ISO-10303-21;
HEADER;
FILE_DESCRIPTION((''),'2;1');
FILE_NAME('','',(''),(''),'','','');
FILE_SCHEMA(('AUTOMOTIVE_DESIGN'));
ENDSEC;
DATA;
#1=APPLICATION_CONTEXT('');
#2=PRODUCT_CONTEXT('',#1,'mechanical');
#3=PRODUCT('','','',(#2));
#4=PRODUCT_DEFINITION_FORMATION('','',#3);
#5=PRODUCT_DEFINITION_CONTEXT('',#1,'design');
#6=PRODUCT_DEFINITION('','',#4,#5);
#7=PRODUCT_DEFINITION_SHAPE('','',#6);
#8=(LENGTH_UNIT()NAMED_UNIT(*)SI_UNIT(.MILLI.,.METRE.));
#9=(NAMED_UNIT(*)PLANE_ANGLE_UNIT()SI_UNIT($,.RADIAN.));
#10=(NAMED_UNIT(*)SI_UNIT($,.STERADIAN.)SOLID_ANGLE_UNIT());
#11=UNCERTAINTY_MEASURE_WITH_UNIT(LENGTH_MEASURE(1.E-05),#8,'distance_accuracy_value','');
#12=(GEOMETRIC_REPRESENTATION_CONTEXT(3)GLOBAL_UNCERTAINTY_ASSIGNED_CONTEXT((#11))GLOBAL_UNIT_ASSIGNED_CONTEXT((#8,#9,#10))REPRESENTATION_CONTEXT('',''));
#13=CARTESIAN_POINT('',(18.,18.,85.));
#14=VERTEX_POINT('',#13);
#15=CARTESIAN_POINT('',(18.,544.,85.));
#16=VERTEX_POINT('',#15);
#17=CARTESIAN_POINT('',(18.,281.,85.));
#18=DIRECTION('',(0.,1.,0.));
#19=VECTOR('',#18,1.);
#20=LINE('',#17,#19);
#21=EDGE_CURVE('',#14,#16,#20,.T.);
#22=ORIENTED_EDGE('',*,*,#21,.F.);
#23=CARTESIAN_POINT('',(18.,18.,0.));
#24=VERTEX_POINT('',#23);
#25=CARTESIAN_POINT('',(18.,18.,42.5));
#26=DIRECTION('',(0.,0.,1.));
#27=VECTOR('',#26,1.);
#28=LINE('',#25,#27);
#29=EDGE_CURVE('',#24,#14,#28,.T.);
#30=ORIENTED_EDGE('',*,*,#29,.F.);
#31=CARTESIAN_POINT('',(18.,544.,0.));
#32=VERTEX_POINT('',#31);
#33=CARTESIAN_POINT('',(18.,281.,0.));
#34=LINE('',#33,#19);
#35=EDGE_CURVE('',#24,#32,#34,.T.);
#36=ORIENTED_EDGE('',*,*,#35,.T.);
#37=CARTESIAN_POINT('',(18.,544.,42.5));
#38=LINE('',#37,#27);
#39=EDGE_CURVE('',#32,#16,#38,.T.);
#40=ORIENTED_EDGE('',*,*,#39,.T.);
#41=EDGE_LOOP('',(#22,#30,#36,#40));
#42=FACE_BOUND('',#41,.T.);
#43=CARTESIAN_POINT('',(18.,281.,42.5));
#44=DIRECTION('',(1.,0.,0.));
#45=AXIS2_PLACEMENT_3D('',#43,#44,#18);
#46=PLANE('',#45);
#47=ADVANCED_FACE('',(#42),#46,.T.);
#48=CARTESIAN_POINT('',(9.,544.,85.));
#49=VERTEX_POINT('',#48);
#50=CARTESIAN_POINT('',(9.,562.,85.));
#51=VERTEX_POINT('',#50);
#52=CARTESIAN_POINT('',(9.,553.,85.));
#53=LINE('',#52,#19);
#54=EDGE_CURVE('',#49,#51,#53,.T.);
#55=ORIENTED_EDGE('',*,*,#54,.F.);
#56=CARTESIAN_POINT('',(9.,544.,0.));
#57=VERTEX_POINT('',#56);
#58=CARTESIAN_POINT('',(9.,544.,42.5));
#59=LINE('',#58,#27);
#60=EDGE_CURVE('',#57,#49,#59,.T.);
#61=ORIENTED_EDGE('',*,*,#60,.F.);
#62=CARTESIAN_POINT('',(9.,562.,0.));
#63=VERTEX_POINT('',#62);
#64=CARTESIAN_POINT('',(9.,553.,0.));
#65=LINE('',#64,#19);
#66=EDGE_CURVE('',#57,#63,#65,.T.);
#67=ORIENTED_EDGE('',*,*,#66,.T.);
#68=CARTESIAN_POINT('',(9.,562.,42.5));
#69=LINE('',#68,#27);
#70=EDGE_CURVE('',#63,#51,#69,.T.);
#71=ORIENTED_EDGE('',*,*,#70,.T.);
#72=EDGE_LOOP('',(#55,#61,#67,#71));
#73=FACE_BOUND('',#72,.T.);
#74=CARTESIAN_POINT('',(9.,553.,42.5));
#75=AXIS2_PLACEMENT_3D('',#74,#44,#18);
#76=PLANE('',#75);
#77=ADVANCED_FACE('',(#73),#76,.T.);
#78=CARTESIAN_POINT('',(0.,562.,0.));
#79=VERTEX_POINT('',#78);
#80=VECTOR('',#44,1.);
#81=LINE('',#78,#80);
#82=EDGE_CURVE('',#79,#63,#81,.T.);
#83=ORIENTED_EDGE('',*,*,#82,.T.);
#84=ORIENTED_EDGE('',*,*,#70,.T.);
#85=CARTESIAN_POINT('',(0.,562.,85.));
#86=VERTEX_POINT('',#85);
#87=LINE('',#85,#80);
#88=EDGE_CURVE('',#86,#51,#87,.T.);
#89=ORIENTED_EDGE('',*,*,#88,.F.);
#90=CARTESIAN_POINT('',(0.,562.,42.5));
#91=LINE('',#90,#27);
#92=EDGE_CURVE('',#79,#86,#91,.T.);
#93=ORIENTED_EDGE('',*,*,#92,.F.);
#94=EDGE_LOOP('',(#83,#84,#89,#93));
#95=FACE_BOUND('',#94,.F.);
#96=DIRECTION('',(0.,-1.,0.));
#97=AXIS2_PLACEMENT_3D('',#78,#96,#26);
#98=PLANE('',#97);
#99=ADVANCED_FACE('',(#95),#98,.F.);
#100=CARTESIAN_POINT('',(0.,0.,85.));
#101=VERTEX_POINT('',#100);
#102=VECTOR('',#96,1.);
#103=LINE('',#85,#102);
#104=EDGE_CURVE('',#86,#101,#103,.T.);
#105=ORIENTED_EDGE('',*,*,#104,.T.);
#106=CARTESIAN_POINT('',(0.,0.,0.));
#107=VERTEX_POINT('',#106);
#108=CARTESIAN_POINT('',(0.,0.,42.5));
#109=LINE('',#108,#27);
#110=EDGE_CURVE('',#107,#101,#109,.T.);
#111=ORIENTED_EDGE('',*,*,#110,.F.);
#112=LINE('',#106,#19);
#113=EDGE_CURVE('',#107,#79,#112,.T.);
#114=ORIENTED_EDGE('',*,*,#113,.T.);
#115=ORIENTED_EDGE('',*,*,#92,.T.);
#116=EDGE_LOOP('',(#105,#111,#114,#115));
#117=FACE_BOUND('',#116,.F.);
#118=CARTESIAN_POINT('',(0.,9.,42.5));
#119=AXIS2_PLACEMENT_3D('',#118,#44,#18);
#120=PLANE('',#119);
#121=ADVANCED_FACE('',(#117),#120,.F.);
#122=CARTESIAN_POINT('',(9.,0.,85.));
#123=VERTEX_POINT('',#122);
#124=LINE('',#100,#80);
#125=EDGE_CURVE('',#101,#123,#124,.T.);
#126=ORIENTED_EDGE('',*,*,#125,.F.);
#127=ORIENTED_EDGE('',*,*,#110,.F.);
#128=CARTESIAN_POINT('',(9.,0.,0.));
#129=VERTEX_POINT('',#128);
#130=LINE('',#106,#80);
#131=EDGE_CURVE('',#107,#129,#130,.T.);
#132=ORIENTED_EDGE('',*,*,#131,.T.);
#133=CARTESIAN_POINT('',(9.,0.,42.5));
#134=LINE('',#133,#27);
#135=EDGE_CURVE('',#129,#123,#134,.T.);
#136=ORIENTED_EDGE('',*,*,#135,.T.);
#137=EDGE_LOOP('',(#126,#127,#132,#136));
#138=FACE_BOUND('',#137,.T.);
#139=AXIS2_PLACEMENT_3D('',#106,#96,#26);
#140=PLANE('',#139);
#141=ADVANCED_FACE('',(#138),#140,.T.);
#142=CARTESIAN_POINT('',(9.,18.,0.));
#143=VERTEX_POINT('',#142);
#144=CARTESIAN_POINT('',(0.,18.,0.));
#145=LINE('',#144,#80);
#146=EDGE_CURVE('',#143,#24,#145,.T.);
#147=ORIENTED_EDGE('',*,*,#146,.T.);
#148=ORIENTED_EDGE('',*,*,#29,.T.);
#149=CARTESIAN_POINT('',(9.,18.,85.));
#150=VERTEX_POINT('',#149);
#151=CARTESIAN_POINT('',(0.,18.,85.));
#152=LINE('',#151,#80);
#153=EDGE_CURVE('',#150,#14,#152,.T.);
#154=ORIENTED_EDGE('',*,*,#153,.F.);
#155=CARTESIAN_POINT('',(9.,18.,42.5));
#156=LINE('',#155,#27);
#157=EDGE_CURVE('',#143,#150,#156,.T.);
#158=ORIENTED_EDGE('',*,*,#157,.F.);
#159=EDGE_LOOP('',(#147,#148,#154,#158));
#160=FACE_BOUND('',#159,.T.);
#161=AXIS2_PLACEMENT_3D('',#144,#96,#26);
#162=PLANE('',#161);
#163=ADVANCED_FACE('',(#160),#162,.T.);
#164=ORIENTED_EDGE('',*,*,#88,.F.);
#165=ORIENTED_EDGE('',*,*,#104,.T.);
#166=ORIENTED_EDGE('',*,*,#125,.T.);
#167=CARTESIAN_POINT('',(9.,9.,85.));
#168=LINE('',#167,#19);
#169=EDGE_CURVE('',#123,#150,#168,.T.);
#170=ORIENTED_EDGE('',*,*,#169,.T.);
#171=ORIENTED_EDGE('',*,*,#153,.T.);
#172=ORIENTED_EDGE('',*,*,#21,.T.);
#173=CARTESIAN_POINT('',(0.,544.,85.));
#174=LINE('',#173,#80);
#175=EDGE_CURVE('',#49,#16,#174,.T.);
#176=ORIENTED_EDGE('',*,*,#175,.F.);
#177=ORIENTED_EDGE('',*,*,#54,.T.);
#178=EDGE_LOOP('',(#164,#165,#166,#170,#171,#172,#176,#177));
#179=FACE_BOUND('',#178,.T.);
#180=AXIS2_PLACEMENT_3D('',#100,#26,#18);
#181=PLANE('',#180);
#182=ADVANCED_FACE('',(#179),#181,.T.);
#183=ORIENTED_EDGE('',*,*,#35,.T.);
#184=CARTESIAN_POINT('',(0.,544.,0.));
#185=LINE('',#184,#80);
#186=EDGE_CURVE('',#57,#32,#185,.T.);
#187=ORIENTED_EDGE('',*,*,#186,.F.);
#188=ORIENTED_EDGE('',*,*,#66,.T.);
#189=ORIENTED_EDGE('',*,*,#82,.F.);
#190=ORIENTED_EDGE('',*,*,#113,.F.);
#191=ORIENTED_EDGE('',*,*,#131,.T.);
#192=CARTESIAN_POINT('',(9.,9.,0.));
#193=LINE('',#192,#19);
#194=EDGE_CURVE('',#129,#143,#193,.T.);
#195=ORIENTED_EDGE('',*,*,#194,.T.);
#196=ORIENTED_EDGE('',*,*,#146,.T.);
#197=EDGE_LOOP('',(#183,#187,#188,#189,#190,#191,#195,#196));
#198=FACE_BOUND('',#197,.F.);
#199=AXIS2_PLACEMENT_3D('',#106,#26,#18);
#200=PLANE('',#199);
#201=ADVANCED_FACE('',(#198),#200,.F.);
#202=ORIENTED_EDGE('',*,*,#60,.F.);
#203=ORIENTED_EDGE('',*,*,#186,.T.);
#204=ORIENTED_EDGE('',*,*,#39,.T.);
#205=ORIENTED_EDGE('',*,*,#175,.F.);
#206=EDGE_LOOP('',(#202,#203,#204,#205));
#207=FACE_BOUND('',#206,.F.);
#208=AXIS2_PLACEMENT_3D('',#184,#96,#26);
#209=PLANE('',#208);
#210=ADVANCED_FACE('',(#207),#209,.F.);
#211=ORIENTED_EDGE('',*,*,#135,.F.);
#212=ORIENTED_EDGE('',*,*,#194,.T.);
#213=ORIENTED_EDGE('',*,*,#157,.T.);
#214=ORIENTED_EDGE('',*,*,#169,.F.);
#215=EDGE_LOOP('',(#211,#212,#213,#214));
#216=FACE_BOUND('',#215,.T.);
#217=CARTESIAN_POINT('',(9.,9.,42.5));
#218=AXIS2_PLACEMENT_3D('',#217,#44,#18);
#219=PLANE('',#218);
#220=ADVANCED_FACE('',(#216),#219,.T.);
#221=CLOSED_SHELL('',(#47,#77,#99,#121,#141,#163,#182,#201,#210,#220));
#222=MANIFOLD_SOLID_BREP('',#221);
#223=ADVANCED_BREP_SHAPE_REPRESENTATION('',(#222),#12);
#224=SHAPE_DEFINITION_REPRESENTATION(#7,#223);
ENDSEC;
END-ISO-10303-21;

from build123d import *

# Parameters (mm, degrees)
F0_W     = 526
F0_H     = 85
F1_DEPTH = 18
F0_W_2   = 18
F2_DEPTH = 9


with BuildPart() as f1:
    # F0 (on Right) → F1 (new body)
    with BuildSketch(Plane.YZ):
        with Locations((281, 42.5)):
            Rectangle(F0_W, F0_H)
    extrude(amount=F1_DEPTH)

    # F0 (on Right) → F2 (join)
    with BuildSketch(Plane.YZ):
        with Locations((9, 42.5)):
            Rectangle(F0_W_2, F0_H)
        with Locations((553, 42.5)):
            Rectangle(F0_W_2, F0_H)
    extrude(amount=F2_DEPTH)


solid = f1.part
